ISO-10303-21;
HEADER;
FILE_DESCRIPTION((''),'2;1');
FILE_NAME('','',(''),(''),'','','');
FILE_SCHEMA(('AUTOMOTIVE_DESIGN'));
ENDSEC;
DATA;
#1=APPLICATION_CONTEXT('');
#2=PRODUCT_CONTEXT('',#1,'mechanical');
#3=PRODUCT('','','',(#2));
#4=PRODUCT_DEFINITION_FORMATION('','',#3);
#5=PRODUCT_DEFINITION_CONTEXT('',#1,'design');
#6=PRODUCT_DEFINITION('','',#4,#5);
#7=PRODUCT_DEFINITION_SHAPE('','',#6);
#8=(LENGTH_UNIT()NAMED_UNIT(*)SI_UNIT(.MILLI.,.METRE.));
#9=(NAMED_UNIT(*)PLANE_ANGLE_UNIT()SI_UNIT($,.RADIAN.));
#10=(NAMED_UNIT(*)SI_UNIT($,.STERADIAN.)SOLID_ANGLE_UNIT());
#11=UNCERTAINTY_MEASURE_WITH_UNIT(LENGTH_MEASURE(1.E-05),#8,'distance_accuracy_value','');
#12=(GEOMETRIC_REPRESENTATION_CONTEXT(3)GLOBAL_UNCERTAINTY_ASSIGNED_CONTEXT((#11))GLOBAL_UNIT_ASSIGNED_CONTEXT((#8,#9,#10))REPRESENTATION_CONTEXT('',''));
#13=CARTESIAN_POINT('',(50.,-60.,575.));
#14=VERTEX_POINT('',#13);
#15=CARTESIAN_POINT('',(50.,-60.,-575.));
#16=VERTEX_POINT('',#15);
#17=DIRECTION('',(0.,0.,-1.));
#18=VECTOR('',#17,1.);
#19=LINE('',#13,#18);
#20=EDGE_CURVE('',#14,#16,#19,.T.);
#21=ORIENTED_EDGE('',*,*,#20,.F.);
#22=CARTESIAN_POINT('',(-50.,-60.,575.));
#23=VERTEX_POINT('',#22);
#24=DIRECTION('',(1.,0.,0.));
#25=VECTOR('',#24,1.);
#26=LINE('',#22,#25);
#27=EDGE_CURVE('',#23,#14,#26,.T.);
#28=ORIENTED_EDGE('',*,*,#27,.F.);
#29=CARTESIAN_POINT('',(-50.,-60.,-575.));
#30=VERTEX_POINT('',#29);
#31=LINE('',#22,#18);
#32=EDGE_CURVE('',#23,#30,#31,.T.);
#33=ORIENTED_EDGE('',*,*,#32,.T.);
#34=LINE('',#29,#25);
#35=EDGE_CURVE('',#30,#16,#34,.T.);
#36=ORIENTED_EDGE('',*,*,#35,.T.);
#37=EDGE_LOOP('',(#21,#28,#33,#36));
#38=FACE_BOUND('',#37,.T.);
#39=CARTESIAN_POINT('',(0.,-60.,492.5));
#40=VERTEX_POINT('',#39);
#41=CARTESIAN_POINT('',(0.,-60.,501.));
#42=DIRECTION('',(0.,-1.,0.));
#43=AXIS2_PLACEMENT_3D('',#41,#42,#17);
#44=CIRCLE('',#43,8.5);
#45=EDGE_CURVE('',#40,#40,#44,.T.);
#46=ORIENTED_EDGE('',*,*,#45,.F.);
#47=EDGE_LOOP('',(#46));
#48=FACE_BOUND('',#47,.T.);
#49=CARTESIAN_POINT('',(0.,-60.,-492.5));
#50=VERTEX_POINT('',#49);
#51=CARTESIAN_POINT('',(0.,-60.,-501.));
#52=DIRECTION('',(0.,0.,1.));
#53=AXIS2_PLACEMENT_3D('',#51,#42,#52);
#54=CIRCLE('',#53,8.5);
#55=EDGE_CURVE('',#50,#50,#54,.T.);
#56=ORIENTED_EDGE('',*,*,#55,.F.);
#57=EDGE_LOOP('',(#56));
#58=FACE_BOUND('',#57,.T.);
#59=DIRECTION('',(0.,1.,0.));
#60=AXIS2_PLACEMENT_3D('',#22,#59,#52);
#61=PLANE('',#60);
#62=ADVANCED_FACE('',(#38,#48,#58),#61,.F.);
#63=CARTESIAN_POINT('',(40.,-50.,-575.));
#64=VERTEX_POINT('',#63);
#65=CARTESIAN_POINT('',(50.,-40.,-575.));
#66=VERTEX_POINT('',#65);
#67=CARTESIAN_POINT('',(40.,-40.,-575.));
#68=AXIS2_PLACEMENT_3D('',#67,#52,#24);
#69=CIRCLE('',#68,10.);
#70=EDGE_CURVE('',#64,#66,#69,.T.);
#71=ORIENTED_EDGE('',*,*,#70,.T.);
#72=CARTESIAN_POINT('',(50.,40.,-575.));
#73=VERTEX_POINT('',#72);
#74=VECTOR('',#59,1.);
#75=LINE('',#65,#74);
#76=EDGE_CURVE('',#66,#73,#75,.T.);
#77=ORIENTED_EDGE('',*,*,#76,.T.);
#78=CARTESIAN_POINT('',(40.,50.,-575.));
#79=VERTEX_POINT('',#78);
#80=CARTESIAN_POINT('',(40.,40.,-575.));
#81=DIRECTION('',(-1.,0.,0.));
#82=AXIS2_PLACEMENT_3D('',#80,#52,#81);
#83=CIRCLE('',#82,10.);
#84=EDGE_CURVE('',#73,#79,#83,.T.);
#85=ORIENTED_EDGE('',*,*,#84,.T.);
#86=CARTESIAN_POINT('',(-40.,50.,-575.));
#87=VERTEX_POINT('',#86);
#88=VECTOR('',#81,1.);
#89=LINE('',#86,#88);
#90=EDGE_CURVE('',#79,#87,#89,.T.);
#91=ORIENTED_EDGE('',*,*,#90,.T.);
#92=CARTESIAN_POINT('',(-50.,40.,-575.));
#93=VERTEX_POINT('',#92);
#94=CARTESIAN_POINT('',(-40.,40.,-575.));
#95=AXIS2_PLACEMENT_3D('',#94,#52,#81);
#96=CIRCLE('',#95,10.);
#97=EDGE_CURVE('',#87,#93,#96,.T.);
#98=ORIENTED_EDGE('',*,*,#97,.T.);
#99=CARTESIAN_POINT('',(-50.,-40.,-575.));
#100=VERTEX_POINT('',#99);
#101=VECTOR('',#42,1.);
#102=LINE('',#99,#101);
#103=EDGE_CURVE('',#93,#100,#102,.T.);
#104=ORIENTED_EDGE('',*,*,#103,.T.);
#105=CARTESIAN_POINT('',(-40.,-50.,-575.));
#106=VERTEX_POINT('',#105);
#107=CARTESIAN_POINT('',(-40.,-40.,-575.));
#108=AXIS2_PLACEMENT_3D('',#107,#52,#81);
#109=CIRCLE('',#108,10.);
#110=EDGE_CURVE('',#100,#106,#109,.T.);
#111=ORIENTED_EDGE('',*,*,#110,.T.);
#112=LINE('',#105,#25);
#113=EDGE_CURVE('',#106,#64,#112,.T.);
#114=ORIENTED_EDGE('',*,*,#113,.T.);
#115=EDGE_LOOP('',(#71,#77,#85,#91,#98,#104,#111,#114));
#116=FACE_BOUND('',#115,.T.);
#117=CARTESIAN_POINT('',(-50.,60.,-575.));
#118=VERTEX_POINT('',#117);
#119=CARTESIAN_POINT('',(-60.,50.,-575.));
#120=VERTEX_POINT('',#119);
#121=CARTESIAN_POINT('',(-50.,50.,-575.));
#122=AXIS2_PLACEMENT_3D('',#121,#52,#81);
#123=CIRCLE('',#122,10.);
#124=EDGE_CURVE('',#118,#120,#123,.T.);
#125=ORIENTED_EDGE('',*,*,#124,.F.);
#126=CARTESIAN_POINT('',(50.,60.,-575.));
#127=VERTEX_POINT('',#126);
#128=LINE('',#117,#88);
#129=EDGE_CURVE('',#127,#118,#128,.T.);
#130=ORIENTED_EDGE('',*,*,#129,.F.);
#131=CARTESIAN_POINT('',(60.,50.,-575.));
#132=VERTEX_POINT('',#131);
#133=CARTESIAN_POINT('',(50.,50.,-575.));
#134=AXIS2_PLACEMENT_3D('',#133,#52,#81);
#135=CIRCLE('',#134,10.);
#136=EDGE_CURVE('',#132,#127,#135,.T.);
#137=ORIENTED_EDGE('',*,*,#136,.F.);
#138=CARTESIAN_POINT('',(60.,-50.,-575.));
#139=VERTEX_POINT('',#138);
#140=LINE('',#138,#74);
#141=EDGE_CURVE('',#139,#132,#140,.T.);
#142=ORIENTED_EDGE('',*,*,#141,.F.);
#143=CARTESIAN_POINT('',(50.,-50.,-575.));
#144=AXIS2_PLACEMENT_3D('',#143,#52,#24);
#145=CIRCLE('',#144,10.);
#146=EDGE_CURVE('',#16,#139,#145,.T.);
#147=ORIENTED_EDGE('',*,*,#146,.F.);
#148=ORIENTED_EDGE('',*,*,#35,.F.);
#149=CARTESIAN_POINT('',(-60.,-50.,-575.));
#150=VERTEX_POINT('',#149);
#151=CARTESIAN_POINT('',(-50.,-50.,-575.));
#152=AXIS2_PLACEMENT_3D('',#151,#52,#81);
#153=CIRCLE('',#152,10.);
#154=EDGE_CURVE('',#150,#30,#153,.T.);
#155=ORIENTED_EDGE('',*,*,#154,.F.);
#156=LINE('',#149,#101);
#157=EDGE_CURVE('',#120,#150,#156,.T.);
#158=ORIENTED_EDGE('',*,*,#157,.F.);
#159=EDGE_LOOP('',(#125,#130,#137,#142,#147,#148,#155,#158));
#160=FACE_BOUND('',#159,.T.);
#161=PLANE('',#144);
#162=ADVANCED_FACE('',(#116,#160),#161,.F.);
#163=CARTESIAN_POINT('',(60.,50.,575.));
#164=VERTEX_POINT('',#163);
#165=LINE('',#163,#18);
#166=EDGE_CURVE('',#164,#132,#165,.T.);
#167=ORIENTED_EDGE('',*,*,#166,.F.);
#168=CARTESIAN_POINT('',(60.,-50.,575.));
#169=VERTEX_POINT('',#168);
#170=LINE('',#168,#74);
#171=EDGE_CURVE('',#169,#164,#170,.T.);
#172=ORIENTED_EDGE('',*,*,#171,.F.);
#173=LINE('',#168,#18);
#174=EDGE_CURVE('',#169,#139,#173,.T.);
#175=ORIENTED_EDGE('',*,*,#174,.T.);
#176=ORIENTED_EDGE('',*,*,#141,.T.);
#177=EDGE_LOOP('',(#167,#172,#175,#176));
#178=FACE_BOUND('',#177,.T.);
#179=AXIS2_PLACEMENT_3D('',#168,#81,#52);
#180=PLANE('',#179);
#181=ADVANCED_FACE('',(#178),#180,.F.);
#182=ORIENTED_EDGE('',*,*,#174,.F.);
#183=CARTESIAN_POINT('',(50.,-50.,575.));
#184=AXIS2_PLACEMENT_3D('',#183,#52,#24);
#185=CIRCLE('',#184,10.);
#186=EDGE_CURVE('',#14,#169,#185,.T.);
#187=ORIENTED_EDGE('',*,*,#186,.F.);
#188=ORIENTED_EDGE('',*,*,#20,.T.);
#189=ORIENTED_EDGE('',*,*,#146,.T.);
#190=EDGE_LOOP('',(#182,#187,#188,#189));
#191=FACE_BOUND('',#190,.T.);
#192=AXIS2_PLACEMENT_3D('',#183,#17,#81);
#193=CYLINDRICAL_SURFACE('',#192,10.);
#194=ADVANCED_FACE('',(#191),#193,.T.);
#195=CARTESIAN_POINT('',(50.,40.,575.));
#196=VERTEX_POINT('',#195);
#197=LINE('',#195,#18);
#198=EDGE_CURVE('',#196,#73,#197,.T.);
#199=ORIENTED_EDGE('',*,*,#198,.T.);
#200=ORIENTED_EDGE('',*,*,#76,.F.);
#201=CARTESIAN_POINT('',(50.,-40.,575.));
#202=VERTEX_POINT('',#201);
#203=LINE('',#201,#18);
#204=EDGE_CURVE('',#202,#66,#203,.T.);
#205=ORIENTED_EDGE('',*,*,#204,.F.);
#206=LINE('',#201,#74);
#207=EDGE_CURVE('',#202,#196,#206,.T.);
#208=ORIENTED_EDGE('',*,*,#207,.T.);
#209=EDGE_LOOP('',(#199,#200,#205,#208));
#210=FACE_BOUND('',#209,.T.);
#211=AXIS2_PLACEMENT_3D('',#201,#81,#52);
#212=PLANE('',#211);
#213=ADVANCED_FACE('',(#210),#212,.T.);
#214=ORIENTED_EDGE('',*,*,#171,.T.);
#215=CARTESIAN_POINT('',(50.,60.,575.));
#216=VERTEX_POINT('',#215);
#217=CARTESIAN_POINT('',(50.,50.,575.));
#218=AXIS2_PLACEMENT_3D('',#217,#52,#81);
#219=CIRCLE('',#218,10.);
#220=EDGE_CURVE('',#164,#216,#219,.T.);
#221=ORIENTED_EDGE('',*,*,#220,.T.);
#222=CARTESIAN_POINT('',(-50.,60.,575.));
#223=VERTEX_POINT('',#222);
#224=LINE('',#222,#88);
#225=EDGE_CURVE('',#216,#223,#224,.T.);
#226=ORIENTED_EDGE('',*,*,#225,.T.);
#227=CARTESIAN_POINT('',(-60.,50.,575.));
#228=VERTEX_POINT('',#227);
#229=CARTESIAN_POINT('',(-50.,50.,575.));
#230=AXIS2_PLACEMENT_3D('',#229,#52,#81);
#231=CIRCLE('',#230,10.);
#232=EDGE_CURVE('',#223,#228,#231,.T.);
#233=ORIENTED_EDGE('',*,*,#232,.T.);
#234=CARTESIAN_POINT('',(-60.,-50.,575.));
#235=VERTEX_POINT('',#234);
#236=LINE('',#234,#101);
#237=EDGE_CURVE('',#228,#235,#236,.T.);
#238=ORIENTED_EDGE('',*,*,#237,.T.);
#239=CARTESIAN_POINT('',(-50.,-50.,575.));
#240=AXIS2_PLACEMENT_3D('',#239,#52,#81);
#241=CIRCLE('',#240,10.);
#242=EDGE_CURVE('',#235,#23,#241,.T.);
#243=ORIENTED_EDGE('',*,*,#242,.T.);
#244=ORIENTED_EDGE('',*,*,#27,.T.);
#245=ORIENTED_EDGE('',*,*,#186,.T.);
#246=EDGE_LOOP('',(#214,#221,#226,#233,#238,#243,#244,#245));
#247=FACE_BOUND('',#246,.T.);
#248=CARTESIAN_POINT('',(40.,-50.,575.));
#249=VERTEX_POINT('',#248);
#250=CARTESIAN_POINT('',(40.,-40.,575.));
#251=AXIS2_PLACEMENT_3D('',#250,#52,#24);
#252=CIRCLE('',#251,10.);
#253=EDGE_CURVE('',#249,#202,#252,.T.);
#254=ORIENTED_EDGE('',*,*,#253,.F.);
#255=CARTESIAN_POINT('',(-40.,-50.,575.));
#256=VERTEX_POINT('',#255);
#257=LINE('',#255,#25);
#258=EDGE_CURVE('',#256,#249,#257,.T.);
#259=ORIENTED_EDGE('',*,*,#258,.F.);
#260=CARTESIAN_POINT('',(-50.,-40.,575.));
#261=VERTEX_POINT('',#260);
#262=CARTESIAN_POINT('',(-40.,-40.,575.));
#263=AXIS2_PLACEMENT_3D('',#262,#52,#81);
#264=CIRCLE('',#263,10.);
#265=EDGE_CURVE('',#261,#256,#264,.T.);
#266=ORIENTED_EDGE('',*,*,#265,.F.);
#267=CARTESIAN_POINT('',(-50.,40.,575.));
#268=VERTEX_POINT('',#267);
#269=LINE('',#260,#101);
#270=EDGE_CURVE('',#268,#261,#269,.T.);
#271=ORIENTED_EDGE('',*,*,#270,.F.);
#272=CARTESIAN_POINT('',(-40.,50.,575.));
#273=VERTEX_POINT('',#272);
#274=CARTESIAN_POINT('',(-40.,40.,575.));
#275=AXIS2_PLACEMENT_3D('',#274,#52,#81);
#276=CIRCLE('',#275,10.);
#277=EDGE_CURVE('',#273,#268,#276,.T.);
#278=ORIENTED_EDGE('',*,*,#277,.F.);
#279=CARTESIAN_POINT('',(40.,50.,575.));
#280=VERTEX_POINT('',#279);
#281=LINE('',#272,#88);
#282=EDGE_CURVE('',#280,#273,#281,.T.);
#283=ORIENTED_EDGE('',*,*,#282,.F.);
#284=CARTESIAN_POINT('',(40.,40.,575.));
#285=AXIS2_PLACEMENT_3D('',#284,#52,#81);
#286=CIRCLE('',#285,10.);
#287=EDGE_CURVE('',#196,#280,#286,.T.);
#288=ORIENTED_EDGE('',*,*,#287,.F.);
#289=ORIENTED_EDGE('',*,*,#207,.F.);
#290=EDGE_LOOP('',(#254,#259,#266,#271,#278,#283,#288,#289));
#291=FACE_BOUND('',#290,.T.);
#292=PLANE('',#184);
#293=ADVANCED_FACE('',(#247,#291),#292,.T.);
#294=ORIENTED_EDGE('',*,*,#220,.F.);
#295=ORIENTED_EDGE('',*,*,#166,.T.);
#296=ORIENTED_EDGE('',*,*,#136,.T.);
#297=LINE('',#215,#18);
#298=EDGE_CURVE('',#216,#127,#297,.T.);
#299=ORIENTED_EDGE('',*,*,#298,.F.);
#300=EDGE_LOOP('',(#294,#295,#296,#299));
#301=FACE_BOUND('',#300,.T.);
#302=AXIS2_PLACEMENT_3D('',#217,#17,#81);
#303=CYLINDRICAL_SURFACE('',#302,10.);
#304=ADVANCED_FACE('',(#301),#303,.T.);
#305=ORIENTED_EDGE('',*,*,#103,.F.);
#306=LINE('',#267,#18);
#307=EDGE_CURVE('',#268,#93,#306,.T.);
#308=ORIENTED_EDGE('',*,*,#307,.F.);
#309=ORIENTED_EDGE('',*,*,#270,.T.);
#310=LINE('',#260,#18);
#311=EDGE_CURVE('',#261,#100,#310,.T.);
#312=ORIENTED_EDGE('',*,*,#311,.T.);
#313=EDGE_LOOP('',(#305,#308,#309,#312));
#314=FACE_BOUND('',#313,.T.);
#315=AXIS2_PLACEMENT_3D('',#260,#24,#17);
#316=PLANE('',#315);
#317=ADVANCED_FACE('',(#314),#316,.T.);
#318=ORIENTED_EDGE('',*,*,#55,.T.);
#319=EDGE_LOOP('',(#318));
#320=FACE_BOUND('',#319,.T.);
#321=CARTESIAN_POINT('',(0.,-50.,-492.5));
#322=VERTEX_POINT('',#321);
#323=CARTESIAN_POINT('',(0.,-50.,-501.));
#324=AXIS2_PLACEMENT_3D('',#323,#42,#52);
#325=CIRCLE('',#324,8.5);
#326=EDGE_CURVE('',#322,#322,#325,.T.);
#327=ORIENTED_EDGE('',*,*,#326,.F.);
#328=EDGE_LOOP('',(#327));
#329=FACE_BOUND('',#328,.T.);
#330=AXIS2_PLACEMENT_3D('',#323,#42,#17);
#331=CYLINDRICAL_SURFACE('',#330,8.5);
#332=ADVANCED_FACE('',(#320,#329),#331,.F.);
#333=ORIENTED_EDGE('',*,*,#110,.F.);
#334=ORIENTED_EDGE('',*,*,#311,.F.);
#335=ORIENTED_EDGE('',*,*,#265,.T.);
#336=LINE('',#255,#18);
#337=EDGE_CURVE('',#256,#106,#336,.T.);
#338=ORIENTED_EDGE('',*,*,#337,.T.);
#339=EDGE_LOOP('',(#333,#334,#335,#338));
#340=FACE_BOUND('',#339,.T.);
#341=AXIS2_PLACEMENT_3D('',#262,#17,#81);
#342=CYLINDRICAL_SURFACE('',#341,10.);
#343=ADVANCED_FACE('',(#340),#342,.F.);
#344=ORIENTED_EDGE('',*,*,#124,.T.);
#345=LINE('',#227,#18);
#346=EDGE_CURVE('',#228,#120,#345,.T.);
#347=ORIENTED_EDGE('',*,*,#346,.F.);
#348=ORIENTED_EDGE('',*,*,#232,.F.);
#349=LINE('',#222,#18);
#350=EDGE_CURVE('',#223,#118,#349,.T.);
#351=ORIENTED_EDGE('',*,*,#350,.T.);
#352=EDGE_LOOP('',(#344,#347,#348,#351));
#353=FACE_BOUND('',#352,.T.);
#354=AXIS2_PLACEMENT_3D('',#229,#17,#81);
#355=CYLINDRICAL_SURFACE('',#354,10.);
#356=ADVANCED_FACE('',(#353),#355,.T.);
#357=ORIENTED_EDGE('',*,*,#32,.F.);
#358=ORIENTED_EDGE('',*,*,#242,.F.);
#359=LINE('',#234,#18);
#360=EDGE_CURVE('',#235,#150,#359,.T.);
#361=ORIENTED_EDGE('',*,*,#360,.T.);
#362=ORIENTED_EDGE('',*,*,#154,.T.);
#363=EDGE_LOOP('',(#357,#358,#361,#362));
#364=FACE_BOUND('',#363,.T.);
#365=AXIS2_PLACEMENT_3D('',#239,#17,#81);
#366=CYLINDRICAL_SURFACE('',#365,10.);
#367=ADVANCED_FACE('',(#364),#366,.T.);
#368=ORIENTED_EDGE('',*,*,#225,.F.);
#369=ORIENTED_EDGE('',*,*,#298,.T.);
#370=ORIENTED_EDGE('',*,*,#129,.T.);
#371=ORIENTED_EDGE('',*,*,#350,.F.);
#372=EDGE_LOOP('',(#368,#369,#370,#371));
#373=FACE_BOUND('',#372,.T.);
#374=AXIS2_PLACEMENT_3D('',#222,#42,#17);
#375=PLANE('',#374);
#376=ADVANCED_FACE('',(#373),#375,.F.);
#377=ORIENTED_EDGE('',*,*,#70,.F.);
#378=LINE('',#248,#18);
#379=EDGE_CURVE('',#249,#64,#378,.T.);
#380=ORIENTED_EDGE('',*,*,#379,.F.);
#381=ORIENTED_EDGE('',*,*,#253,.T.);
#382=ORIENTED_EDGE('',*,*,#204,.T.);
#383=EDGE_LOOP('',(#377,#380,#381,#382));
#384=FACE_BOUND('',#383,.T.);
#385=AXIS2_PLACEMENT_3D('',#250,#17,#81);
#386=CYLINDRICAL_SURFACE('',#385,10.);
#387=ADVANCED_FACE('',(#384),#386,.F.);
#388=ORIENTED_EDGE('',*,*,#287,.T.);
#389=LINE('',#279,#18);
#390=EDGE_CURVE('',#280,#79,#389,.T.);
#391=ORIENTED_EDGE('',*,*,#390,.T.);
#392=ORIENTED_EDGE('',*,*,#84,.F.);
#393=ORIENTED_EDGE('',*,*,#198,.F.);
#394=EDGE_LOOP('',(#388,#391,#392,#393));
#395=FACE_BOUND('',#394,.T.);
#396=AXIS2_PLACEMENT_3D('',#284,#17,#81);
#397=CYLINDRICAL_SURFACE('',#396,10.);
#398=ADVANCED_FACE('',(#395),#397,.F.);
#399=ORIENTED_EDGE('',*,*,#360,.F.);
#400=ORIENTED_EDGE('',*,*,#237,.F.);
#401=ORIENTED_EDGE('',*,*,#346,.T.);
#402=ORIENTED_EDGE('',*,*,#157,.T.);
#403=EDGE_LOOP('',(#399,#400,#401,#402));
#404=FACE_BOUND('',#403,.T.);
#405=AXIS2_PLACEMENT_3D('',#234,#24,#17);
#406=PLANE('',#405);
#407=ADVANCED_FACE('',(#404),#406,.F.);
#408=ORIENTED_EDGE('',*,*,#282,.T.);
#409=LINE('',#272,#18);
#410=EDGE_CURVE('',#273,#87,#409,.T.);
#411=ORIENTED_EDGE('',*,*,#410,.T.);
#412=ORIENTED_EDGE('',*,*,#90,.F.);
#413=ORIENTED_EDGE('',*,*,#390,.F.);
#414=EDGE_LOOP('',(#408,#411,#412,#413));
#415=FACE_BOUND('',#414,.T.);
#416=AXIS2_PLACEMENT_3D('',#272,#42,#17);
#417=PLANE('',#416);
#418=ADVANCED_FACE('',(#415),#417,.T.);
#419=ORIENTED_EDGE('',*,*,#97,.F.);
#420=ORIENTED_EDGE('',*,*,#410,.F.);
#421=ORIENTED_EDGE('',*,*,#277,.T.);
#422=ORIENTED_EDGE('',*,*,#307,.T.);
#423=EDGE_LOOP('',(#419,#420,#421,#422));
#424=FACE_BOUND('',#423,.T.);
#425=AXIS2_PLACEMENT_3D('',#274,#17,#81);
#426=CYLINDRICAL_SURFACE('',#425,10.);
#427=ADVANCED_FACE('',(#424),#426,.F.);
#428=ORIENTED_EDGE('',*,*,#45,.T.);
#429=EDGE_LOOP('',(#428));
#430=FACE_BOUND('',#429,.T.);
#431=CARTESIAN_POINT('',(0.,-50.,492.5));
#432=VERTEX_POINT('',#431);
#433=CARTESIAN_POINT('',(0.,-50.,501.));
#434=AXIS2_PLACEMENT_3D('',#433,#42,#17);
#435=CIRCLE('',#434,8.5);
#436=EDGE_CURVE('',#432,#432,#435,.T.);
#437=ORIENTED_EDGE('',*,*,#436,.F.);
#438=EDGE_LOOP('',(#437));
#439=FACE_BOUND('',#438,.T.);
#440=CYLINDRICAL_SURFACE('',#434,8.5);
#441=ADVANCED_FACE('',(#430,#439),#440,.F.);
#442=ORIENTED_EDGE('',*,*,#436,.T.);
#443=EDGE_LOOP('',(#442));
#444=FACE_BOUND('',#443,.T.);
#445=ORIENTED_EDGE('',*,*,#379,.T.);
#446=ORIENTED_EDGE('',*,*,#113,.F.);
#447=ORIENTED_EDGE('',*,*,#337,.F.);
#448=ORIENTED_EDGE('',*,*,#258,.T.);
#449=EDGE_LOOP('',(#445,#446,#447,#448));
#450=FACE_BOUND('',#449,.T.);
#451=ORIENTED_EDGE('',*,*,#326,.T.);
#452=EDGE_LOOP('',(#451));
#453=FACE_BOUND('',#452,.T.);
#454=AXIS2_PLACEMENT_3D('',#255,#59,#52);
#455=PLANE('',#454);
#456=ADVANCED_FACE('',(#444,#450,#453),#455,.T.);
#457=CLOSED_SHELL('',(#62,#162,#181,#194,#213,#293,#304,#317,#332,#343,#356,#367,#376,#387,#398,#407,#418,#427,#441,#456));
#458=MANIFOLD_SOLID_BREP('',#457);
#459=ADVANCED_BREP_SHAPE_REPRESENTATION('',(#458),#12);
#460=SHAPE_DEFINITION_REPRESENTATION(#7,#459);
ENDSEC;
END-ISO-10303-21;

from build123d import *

# Parameters (mm, degrees)
BOSS_EXTRUDE1_DEPTH = 575
SKETCH2_R           = 8.5
CUT_EXTRUDE1_DEPTH  = 10


with BuildPart() as part:
    # Sketch1 → Boss-Extrude1 (new, symmetric)
    with BuildSketch(Plane.XY):
        with BuildLine():
            Line((-50, -60), (50, -60))
            ThreePointArc((50, -60), (57.071067812, -57.071067812), (60, -50))
            Line((60, -50), (60, 50))
            ThreePointArc((60, 50), (57.071067812, 57.071067812), (50, 60))
            Line((50, 60), (-50, 60))
            ThreePointArc((-50, 60), (-57.071067812, 57.071067812), (-60, 50))
            Line((-60, 50), (-60, -50))
            ThreePointArc((-60, -50), (-57.071067812, -57.071067812), (-50, -60))
        make_face()
        with BuildLine():
            Line((-40, -50), (40, -50))
            ThreePointArc((40, -50), (47.071067812, -47.071067812), (50, -40))
            Line((50, -40), (50, 40))
            ThreePointArc((50, 40), (47.071067812, 47.071067812), (40, 50))
            Line((40, 50), (-40, 50))
            ThreePointArc((-40, 50), (-47.071067812, 47.071067812), (-50, 40))
            Line((-50, 40), (-50, -40))
            ThreePointArc((-50, -40), (-47.071067812, -47.071067812), (-40, -50))
        make_face(mode=Mode.SUBTRACT)
    extrude(amount=BOSS_EXTRUDE1_DEPTH, both=True)

    # Sketch2 → Cut-Extrude1 (cut)
    with BuildSketch(Plane.XZ.offset(60)):
        with Locations(Location((0, 501, 0), (0, 0, 270))):
            Circle(SKETCH2_R)
        with Locations(Location((0, -501, 0), (0, 0, 90))):
            Circle(SKETCH2_R)
    extrude(amount=-CUT_EXTRUDE1_DEPTH, mode=Mode.SUBTRACT)


solid = part.part
